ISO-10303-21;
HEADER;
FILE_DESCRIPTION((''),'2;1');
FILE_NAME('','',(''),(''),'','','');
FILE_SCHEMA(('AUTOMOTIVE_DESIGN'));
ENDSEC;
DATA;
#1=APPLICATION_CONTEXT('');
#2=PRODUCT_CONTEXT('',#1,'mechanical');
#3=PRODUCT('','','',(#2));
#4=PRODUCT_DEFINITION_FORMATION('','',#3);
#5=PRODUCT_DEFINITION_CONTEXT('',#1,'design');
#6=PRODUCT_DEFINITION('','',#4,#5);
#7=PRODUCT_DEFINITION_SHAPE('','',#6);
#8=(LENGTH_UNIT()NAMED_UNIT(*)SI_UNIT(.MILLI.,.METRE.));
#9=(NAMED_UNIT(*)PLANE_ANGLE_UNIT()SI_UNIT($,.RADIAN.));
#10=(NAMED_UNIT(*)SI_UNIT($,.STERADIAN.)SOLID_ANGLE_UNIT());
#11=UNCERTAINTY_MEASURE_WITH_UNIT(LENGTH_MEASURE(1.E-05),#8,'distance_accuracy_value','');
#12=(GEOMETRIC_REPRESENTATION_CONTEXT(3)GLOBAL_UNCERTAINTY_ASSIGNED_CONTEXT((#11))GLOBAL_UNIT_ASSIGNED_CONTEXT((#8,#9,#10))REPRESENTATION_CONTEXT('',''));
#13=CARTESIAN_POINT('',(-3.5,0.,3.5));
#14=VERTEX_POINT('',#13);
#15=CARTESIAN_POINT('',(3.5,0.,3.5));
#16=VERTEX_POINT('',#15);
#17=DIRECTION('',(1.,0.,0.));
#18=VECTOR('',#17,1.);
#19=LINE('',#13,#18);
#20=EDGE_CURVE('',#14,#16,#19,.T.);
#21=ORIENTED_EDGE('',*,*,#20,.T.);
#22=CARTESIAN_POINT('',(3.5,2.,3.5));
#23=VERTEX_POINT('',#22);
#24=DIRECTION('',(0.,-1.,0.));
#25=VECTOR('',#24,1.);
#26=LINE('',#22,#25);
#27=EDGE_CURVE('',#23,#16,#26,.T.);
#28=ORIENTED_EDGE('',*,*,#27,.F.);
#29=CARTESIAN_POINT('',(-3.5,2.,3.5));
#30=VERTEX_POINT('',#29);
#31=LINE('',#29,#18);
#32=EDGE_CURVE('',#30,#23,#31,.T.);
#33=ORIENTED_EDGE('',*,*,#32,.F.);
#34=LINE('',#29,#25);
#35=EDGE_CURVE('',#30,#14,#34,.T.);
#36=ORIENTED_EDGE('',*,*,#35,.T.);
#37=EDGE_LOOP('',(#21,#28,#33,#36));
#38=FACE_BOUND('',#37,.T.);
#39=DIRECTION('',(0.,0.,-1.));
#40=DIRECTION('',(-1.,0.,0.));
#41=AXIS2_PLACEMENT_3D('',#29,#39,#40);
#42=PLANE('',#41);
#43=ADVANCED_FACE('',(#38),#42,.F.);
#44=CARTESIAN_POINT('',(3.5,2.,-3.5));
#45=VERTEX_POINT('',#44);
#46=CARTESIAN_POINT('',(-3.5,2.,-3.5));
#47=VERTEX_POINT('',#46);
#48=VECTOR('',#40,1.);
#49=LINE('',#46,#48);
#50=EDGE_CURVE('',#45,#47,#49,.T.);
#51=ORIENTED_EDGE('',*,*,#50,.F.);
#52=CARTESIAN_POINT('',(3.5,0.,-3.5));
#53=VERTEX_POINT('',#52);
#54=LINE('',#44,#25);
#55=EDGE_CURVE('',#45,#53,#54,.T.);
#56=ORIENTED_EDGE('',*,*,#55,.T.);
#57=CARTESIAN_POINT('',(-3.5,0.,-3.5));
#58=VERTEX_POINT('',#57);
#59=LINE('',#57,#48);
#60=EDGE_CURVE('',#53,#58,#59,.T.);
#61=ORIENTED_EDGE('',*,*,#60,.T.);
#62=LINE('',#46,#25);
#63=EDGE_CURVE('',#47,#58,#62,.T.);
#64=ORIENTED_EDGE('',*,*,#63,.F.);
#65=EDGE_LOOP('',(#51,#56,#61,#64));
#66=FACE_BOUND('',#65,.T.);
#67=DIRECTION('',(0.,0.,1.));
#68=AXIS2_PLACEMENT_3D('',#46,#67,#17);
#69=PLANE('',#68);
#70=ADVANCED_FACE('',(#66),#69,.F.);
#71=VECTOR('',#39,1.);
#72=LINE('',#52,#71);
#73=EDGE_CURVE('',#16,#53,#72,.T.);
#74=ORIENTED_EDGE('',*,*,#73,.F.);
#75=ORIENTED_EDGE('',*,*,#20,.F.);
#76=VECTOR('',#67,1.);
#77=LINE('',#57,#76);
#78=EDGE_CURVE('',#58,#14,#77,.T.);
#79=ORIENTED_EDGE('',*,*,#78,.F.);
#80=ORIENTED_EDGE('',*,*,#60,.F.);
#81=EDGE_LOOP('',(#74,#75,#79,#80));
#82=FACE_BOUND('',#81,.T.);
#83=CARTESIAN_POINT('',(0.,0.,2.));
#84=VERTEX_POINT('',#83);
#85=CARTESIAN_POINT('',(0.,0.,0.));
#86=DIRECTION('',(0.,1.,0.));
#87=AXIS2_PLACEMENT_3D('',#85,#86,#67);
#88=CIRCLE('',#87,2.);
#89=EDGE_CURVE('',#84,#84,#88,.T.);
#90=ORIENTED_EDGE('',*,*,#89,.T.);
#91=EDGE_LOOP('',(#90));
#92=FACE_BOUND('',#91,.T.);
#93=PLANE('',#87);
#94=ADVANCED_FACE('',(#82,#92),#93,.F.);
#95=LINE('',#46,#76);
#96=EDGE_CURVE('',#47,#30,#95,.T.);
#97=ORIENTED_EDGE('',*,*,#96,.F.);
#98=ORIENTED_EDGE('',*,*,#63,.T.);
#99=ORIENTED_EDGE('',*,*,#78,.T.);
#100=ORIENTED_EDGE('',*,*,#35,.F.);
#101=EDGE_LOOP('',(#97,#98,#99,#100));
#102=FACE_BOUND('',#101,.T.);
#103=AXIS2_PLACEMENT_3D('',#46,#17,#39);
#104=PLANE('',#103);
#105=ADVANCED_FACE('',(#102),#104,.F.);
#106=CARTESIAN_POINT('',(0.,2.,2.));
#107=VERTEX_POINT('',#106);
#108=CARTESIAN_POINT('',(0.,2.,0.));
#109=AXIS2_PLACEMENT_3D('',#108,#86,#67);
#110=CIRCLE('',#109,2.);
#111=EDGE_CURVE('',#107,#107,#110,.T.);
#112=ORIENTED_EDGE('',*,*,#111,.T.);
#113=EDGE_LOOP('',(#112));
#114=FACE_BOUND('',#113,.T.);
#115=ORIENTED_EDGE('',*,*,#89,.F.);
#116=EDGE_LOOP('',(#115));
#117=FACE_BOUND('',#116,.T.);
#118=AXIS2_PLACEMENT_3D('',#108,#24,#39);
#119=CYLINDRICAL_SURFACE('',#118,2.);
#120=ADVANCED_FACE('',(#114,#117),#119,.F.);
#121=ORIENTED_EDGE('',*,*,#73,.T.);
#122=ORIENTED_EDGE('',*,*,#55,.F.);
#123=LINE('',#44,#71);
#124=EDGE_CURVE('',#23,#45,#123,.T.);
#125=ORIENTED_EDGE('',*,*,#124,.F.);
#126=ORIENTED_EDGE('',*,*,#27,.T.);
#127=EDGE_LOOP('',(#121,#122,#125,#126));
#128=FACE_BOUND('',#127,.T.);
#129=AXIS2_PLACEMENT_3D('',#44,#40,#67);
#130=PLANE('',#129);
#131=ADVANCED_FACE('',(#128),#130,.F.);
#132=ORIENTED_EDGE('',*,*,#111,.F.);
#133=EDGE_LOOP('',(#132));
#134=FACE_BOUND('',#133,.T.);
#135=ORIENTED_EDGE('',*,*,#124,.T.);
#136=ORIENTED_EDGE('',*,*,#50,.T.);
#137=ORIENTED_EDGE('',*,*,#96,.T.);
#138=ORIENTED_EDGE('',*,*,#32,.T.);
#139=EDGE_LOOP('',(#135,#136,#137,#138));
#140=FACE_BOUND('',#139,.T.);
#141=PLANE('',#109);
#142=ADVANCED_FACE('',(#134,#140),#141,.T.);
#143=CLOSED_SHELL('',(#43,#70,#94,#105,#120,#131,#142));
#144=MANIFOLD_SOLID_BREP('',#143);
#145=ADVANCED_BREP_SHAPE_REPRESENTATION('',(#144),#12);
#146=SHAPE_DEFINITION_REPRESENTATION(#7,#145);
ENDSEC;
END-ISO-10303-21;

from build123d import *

# Parameters (mm, degrees)
SKETCH_1_W      = 7
SKETCH_1_H      = 7
SKETCH_1_R      = 2
EXTRUDE_1_DEPTH = 2


with BuildPart() as part:
    # 草图1 → 凸台-拉伸1 (new body)
    with BuildSketch(Plane(origin=(0, 0, 0), x_dir=(1, 0, 0), z_dir=(0, 1, 0))):
        Rectangle(SKETCH_1_W, SKETCH_1_H)
        with Locations(Location((0, 0, 0), (0, 0, 270))):
            Circle(SKETCH_1_R, mode=Mode.SUBTRACT)
    extrude(amount=EXTRUDE_1_DEPTH)


solid = part.part
